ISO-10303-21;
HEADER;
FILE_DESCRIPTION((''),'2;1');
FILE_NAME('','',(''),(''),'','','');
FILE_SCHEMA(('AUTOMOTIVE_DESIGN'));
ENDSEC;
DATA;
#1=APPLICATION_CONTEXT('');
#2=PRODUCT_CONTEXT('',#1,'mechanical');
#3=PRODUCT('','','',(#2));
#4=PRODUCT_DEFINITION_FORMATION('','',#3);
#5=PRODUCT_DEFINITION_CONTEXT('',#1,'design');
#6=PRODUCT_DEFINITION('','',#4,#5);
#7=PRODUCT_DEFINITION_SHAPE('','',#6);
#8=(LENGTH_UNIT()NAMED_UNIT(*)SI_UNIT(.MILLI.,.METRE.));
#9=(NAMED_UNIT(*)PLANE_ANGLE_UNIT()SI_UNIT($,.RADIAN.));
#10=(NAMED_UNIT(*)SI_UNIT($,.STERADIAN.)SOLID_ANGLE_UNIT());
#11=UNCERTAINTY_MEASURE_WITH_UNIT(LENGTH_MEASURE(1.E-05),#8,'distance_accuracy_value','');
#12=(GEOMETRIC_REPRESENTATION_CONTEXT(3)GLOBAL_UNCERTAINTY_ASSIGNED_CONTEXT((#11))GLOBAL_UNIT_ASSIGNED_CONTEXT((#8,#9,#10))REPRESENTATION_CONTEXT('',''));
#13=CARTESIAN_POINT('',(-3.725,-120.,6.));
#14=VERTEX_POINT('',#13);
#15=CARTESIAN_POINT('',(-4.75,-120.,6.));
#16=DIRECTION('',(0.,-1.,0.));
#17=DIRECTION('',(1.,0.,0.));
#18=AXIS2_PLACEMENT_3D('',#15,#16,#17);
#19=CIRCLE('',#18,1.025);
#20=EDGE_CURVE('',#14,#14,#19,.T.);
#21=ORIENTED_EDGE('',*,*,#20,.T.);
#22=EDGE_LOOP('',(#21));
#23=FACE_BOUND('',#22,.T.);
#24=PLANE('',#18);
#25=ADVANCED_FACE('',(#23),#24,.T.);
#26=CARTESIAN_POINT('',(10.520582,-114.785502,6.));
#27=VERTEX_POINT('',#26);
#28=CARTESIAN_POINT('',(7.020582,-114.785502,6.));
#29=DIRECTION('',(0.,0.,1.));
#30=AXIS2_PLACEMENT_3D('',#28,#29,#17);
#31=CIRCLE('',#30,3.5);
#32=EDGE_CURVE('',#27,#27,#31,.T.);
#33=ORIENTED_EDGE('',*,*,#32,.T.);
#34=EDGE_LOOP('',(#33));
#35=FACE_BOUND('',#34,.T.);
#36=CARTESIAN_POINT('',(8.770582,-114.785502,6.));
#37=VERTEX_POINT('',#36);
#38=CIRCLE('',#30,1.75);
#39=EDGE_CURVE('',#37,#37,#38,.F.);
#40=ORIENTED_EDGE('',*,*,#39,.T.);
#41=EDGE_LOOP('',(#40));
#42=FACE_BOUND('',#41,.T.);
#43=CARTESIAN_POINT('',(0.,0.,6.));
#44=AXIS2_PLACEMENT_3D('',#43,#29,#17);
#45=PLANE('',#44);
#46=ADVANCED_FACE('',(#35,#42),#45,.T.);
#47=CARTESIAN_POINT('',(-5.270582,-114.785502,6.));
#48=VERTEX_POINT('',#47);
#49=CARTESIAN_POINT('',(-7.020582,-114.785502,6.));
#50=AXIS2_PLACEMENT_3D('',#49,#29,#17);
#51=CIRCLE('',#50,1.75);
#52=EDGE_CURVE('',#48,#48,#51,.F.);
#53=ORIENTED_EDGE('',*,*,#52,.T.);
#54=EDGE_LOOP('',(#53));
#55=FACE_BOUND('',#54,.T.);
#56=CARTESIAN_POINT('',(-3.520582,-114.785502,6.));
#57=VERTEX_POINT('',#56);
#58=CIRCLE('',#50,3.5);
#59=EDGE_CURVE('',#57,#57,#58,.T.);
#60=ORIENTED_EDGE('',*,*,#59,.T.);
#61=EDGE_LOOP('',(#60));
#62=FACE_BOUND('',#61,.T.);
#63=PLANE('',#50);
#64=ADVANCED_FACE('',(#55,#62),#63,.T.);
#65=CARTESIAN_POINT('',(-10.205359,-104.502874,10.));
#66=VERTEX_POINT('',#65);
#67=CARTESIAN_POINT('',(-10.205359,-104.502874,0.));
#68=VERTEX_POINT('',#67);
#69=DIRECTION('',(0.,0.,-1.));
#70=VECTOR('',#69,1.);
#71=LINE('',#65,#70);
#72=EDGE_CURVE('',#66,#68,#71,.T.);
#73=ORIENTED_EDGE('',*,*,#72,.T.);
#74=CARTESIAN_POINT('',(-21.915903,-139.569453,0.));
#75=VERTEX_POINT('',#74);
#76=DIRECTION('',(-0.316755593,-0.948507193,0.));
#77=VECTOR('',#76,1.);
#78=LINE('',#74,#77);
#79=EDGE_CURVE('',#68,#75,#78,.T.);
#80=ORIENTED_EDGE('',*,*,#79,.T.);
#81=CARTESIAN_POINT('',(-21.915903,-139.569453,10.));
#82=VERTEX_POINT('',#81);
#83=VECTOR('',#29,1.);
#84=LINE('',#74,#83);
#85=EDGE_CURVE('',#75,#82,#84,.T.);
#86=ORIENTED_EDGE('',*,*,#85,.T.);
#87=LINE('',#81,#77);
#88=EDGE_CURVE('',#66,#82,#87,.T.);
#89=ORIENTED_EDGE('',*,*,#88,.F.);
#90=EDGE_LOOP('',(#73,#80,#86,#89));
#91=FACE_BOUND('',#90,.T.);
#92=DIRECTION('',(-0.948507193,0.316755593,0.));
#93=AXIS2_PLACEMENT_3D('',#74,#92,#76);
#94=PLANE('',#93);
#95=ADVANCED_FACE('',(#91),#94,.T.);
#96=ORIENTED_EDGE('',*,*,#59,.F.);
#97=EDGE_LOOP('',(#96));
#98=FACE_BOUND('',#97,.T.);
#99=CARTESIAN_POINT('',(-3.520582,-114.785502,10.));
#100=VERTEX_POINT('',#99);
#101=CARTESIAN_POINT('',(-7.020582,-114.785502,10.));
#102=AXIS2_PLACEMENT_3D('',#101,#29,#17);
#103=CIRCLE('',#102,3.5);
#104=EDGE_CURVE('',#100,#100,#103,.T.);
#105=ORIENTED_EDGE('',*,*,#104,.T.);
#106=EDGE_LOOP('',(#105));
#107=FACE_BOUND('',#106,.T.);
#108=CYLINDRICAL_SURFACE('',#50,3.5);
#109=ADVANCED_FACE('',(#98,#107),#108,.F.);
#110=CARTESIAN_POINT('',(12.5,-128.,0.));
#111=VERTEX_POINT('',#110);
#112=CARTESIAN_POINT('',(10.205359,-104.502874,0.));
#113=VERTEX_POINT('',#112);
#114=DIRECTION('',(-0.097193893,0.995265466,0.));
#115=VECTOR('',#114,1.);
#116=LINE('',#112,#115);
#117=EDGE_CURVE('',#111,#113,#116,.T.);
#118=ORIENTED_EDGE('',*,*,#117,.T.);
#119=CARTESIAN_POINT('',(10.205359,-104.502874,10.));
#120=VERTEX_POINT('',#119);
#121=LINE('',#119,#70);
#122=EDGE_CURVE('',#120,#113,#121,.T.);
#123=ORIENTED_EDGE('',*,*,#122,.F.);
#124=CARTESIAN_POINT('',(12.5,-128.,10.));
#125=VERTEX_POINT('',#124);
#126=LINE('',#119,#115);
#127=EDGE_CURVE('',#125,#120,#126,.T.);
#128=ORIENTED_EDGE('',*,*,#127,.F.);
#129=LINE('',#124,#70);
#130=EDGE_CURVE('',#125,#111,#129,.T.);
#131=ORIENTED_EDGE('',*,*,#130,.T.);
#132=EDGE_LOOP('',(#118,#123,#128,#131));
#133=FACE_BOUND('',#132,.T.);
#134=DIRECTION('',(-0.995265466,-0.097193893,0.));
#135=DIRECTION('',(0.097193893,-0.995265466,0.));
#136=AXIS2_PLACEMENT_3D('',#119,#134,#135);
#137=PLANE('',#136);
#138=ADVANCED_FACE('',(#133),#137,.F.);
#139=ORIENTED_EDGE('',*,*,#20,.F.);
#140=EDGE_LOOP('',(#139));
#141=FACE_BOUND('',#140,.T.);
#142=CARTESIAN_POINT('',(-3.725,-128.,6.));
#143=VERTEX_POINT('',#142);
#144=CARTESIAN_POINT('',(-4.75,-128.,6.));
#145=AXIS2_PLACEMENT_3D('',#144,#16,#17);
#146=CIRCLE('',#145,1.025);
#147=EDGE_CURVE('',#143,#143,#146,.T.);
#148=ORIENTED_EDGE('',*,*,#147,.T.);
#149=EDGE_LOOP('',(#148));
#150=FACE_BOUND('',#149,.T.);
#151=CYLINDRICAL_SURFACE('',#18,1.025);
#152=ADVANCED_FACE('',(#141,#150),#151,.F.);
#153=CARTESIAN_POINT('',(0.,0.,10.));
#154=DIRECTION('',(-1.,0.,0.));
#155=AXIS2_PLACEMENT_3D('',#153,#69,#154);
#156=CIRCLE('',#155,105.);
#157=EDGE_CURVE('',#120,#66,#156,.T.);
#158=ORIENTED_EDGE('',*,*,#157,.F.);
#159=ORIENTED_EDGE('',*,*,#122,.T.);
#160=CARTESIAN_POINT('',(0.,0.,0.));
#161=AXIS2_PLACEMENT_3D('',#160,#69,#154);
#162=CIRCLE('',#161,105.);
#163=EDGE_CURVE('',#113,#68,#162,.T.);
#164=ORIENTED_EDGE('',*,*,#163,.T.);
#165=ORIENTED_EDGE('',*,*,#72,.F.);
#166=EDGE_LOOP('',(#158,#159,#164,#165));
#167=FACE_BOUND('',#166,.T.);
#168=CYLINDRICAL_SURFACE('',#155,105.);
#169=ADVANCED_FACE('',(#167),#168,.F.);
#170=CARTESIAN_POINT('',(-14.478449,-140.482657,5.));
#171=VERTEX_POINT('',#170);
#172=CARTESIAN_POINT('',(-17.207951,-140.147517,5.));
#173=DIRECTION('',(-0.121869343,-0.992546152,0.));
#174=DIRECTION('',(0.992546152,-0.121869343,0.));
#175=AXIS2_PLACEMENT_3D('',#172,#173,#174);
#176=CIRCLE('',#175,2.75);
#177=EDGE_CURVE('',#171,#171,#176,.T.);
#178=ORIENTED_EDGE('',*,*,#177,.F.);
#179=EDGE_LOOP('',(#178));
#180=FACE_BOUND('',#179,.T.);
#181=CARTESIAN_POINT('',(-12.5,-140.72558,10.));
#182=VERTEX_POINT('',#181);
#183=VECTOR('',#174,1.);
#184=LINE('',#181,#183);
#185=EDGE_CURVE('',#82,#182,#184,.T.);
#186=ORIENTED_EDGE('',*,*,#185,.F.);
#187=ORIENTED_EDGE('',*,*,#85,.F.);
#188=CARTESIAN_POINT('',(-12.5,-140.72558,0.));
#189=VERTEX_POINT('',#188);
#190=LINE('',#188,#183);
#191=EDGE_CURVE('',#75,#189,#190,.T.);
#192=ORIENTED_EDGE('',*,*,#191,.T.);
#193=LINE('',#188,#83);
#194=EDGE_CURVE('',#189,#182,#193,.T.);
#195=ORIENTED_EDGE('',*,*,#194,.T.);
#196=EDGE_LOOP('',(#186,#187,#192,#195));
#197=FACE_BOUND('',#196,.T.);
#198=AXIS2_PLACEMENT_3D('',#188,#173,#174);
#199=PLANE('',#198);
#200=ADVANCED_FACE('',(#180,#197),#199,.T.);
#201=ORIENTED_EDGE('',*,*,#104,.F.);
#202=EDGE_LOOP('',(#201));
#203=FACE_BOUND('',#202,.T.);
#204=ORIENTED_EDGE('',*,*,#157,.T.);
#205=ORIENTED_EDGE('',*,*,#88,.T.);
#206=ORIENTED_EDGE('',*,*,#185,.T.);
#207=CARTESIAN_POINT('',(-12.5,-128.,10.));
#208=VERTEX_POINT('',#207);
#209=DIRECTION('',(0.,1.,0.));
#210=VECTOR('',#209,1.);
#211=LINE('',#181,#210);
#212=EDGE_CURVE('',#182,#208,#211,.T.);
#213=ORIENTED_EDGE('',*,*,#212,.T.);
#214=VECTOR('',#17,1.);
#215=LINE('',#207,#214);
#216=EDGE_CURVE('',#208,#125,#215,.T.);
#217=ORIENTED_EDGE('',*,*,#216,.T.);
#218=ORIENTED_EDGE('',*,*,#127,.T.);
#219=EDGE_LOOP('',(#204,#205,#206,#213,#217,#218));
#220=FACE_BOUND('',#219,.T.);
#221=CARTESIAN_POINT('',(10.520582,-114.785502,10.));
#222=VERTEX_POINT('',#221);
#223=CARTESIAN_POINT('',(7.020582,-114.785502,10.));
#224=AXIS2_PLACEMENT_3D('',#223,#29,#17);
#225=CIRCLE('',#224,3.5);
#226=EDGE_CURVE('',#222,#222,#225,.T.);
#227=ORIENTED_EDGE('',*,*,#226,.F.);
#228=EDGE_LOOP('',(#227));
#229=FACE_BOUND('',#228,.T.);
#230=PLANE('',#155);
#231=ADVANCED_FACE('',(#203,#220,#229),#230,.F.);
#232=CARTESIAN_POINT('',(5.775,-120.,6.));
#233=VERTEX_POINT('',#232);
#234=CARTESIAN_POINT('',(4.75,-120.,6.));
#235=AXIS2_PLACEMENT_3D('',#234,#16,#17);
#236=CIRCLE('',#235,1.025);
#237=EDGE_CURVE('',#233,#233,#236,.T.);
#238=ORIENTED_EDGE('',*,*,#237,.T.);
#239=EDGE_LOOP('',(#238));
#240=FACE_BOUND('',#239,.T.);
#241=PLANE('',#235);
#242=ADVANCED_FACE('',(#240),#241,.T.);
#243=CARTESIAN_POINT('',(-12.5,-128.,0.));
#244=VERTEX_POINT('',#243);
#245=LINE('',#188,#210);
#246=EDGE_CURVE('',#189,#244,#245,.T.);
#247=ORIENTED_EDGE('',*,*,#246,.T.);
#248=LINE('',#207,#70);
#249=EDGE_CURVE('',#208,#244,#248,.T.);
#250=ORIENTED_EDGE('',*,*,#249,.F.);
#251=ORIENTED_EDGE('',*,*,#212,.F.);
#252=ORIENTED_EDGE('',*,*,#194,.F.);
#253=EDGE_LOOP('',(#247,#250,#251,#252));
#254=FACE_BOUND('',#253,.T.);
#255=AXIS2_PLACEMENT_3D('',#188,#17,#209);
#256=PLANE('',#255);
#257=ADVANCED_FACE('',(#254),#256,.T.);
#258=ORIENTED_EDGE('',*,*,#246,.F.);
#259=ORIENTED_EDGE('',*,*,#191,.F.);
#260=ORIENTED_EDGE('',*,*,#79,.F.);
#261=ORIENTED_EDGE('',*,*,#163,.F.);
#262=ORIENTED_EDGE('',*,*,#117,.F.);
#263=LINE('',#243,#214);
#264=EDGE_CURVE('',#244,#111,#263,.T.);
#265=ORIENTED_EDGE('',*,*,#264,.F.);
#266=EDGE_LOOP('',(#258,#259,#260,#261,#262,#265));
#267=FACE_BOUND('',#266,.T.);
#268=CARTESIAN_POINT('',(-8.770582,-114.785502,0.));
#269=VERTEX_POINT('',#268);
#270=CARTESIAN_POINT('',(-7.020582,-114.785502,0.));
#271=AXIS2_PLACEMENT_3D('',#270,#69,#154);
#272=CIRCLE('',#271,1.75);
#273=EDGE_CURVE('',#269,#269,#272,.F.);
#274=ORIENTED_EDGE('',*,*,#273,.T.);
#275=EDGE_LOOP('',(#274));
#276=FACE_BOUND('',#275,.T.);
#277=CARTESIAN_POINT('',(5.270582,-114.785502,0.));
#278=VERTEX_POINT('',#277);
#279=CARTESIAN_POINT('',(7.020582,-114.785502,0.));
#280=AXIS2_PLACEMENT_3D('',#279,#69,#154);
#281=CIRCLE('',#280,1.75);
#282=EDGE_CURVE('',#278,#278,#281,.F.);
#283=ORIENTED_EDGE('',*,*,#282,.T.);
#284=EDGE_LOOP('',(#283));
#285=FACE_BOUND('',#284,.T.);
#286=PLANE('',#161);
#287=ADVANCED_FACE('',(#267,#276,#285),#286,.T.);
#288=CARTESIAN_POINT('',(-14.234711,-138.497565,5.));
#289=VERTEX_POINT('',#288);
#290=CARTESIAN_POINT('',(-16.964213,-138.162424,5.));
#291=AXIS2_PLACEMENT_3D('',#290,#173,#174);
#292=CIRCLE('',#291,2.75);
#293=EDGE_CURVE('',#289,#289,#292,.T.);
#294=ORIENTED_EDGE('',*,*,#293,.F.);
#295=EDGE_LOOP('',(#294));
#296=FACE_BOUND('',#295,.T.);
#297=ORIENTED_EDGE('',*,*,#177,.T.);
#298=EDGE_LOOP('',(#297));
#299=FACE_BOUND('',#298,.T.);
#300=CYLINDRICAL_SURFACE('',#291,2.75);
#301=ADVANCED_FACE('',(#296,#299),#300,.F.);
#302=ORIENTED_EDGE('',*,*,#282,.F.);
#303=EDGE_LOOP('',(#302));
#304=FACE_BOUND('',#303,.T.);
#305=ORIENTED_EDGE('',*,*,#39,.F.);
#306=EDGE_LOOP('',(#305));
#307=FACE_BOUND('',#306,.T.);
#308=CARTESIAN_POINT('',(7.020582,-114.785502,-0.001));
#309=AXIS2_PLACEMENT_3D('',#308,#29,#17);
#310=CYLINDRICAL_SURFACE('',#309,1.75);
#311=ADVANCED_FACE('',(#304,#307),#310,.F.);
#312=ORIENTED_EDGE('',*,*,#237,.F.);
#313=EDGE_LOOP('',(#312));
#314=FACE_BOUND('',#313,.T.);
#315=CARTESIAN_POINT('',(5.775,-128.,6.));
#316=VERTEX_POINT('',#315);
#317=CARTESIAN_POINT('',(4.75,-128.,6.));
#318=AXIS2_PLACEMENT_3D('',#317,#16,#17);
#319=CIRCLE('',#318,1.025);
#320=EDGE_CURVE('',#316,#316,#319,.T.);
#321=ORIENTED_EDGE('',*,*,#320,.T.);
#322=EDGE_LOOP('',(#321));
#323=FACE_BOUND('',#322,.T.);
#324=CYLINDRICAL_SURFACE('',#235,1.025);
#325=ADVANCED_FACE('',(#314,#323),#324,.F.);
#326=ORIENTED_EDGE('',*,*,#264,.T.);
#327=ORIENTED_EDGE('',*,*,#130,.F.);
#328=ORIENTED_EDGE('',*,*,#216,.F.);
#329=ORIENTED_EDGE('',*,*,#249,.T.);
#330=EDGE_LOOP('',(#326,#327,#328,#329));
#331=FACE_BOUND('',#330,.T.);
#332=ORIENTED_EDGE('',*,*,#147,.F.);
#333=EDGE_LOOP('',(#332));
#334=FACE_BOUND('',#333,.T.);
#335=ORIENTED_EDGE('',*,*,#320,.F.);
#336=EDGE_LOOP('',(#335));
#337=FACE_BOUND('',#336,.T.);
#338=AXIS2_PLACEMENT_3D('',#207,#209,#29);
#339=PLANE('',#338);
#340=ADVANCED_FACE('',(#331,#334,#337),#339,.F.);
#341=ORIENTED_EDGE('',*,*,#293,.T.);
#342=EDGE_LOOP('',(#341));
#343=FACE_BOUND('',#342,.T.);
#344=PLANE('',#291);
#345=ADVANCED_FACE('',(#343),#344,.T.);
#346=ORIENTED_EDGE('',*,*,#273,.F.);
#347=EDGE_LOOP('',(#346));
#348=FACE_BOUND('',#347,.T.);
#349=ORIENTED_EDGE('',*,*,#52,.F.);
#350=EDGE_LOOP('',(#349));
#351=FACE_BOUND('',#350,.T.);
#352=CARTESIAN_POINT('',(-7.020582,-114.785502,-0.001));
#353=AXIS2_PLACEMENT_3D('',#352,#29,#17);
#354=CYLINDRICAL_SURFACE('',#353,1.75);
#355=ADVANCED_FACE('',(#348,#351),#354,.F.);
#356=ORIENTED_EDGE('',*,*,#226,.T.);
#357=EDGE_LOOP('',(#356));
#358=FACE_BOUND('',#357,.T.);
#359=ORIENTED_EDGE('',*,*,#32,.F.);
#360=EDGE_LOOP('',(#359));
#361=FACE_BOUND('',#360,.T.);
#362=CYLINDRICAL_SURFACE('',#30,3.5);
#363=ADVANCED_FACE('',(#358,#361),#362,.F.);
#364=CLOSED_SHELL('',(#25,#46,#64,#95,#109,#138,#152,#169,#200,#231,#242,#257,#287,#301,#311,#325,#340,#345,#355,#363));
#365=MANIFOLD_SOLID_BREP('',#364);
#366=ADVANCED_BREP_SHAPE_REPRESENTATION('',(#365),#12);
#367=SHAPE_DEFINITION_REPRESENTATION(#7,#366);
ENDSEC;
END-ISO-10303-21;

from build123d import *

# Parameters (mm, degrees)
BOSS_EXTRU_1_DEPTH      = 10
ESQUISSE2_R             = 1.025
ENL_V_MAT_EXTRU_1_DEPTH = 8
ENL_V_MAT_EXTRU_2_REACH = 130.997
ESQUISSE3_R             = 1.75
ESQUISSE4_R             = 3.5
ESQUISSE4_R_2           = 1.75
ENL_V_MAT_EXTRU_3_DEPTH = 4
BOSS_EXTRU_2_DEPTH      = 10
ESQUISSE6_R             = 2.75
ENL_V_MAT_EXTRU_4_DEPTH = 2


with BuildPart() as part:
    # Esquisse1 → Boss.-Extru.1 (new body)
    with BuildSketch(Plane.XY):
        with BuildLine():
            Line((-12.5, -128), (12.5, -128))
            Line((12.5, -128), (10.205358779, -104.502873894))
            ThreePointArc((10.205358779, -104.502873894), (0, -105), (-10.205358779, -104.502873894))
            Line((-10.205358779, -104.502873894), (-12.5, -128))
        make_face()
    extrude(amount=BOSS_EXTRU_1_DEPTH)

    # Esquisse2 → Enlèv. mat.-Extru.1 (cut)
    with BuildSketch(Plane.XZ.offset(128)):
        with Locations((-4.75, 6)):
            Circle(ESQUISSE2_R)
        with Locations((4.75, 6)):
            Circle(ESQUISSE2_R)
    extrude(amount=-ENL_V_MAT_EXTRU_1_DEPTH, mode=Mode.SUBTRACT)

    # Esquisse3 → Enlèv. mat.-Extru.2 (cut, up to next)
    with BuildSketch(Plane.XY.offset(10), mode=Mode.PRIVATE) as enl_v_mat_extru_2_sk1:
        with Locations((-7.020582047, -114.785501819)):
            Circle(ESQUISSE3_R)
    enl_v_mat_extru_2_tool1 = extrude(enl_v_mat_extru_2_sk1.sketch, amount=-ENL_V_MAT_EXTRU_2_REACH, mode=Mode.PRIVATE) & part.part
    # Esquisse3 → Enlèv. mat.-Extru.2 (cut, up to next)
    with BuildSketch(Plane.XY.offset(10), mode=Mode.PRIVATE) as enl_v_mat_extru_2_sk2:
        with Locations((7.020582047, -114.785501819)):
            Circle(ESQUISSE3_R)
    enl_v_mat_extru_2_tool2 = extrude(enl_v_mat_extru_2_sk2.sketch, amount=-ENL_V_MAT_EXTRU_2_REACH, mode=Mode.PRIVATE) & part.part
    add(enl_v_mat_extru_2_tool1.solids().sort_by_distance((-7.020582, -114.785502, 10))[0], mode=Mode.SUBTRACT)
    add(enl_v_mat_extru_2_tool2.solids().sort_by_distance((7.020582, -114.785502, 10))[0], mode=Mode.SUBTRACT)

    # Esquisse4 → Enlèv. mat.-Extru.3 (cut)
    # profile 1 of 2: a face of its own
    with BuildSketch(Plane.XY.offset(10)):
        with Locations((7.020582047, -114.785501819)):
            Circle(ESQUISSE4_R)
        with Locations((7.020582047, -114.785501819)):
            Circle(ESQUISSE4_R_2, mode=Mode.SUBTRACT)
    # profile 2 of 2: a face of its own
    with BuildSketch(Plane.XY.offset(10)):
        with Locations((-7.020582047, -114.785501819)):
            Circle(ESQUISSE4_R)
    extrude(amount=-ENL_V_MAT_EXTRU_3_DEPTH, mode=Mode.SUBTRACT)

    # Esquisse5 → Boss.-Extru.2 (add)
    with BuildSketch(Plane.XY.offset(10)):
        Polygon((-12.5, -140.725580344), (-21.915902578, -139.56945288), (-10.205358779, -104.502873894), (-12.5, -128), align=None)
    extrude(amount=-BOSS_EXTRU_2_DEPTH)

    # Esquisse6 → Enlèv. mat.-Extru.4 (cut)
    with BuildSketch(Plane(origin=(-17.207951289, -140.147516612, 0), x_dir=(0.9925461516413231, -0.12186934340513994, 0), z_dir=(-0.12186934340513994, -0.9925461516413231, 0))):
        with Locations((0, 5)):
            Circle(ESQUISSE6_R)
    extrude(amount=-ENL_V_MAT_EXTRU_4_DEPTH, mode=Mode.SUBTRACT)


solid = part.part
